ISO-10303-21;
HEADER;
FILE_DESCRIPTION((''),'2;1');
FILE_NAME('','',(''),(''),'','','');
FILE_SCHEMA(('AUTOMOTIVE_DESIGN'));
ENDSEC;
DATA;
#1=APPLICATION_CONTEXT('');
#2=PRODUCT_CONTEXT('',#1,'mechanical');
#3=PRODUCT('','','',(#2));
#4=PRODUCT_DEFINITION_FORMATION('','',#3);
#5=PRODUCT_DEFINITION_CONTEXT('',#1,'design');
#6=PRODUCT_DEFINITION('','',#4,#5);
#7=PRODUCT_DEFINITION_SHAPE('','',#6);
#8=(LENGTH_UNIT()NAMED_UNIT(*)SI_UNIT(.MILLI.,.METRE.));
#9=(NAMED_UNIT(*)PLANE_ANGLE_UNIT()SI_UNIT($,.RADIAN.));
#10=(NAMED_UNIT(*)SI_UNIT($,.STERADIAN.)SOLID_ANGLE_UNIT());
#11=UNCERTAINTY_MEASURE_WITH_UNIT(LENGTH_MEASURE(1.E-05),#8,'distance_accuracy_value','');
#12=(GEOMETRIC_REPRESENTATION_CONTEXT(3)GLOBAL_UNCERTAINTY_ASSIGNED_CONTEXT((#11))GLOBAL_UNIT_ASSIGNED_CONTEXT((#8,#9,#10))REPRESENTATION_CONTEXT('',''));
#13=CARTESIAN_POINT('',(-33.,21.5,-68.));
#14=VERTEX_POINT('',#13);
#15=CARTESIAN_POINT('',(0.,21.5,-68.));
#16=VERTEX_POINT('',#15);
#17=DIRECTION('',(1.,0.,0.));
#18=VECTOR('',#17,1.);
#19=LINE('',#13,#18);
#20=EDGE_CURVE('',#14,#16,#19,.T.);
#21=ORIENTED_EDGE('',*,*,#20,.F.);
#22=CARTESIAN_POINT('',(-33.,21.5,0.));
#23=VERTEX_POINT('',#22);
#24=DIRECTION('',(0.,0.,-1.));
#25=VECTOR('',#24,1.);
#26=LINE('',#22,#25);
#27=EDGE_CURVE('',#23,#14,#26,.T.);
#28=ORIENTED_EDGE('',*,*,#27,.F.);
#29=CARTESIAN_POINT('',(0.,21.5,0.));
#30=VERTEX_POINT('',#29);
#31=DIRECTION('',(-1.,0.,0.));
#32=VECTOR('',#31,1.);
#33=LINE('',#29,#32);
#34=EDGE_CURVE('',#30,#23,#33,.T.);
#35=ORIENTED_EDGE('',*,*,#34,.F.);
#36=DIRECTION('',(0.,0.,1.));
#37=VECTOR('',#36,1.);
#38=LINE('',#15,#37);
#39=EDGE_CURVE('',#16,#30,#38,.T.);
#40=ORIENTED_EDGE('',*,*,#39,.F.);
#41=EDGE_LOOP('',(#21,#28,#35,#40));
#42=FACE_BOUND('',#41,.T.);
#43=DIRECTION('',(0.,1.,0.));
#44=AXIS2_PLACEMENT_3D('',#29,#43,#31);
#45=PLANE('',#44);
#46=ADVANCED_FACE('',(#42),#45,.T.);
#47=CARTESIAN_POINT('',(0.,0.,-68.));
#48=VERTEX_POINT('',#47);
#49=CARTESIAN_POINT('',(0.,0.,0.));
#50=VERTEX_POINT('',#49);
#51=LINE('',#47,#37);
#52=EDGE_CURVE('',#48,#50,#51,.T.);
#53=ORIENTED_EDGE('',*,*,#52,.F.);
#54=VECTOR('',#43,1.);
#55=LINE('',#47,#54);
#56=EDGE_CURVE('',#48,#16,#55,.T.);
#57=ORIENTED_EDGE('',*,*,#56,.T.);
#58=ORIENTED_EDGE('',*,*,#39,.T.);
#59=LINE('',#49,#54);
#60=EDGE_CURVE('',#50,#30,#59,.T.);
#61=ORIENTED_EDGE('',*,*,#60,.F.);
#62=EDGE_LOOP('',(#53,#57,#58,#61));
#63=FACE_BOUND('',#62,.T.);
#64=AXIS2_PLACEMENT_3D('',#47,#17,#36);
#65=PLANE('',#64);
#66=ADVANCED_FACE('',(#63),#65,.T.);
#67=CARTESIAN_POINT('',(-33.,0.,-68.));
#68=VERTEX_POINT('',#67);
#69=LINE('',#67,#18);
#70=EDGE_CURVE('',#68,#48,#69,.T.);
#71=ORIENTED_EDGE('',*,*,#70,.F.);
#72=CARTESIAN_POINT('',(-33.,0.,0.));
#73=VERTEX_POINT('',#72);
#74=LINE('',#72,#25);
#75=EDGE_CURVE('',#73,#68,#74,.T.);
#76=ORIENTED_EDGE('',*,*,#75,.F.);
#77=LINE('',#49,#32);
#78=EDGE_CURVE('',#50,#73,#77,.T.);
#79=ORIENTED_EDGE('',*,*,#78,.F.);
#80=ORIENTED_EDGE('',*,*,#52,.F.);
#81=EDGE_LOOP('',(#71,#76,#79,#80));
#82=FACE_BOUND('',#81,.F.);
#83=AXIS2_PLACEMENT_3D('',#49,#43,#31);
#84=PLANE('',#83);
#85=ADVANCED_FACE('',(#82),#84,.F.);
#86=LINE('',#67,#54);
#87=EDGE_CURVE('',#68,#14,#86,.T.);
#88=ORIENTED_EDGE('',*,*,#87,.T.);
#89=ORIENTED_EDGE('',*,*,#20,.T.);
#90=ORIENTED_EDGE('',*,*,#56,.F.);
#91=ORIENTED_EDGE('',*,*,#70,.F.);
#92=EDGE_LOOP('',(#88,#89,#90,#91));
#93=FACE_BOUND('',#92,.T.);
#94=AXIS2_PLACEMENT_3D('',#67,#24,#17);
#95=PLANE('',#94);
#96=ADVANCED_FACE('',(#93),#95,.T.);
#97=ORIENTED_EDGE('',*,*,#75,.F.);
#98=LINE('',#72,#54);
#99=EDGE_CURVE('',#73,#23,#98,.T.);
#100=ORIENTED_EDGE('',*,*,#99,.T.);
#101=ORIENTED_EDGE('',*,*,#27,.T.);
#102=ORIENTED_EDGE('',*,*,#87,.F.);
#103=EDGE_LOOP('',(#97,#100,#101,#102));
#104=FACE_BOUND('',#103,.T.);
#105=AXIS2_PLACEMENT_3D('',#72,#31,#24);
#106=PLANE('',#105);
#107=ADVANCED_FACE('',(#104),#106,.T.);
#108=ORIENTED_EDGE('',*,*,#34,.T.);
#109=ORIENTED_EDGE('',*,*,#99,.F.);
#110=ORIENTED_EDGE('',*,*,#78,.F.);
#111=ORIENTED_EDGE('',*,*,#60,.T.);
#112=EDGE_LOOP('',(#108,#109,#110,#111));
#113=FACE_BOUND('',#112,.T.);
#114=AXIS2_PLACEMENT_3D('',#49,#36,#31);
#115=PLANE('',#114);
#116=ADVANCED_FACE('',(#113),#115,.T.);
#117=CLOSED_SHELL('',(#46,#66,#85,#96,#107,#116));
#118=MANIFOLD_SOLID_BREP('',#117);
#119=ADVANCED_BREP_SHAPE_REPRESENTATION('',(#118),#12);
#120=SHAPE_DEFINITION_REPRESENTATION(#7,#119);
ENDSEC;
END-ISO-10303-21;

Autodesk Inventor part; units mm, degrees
ref_plane "YZ Plane" through (0, 0, 0) normal (1, 0, 0) x (0, 1, 0)
ref_plane "XZ Plane" through (0, 0, 0) normal (0, 1, 0) x (-1, 0, 0)
ref_plane "XY Plane" through (0, 0, 0) normal (0, 0, 1) x (1, 0, 0)
sketch "草圖1" plane through (0, 0, 0) normal (0, 1, 0) x (-1, 0, 0)
  line L0 (0, 0) -> (33, 0)
  line L1 (33, 0) -> (33, -68)
  line L2 (33, -68) -> (0, -68)
  line L3 (0, -68) -> (0, 0)
  dimension "d0" = 68
  dimension "d1" = 33
extrude "擠出1" add sketch "草圖1" along normal blind 21.5
properties part number "9V方型電池盒"
